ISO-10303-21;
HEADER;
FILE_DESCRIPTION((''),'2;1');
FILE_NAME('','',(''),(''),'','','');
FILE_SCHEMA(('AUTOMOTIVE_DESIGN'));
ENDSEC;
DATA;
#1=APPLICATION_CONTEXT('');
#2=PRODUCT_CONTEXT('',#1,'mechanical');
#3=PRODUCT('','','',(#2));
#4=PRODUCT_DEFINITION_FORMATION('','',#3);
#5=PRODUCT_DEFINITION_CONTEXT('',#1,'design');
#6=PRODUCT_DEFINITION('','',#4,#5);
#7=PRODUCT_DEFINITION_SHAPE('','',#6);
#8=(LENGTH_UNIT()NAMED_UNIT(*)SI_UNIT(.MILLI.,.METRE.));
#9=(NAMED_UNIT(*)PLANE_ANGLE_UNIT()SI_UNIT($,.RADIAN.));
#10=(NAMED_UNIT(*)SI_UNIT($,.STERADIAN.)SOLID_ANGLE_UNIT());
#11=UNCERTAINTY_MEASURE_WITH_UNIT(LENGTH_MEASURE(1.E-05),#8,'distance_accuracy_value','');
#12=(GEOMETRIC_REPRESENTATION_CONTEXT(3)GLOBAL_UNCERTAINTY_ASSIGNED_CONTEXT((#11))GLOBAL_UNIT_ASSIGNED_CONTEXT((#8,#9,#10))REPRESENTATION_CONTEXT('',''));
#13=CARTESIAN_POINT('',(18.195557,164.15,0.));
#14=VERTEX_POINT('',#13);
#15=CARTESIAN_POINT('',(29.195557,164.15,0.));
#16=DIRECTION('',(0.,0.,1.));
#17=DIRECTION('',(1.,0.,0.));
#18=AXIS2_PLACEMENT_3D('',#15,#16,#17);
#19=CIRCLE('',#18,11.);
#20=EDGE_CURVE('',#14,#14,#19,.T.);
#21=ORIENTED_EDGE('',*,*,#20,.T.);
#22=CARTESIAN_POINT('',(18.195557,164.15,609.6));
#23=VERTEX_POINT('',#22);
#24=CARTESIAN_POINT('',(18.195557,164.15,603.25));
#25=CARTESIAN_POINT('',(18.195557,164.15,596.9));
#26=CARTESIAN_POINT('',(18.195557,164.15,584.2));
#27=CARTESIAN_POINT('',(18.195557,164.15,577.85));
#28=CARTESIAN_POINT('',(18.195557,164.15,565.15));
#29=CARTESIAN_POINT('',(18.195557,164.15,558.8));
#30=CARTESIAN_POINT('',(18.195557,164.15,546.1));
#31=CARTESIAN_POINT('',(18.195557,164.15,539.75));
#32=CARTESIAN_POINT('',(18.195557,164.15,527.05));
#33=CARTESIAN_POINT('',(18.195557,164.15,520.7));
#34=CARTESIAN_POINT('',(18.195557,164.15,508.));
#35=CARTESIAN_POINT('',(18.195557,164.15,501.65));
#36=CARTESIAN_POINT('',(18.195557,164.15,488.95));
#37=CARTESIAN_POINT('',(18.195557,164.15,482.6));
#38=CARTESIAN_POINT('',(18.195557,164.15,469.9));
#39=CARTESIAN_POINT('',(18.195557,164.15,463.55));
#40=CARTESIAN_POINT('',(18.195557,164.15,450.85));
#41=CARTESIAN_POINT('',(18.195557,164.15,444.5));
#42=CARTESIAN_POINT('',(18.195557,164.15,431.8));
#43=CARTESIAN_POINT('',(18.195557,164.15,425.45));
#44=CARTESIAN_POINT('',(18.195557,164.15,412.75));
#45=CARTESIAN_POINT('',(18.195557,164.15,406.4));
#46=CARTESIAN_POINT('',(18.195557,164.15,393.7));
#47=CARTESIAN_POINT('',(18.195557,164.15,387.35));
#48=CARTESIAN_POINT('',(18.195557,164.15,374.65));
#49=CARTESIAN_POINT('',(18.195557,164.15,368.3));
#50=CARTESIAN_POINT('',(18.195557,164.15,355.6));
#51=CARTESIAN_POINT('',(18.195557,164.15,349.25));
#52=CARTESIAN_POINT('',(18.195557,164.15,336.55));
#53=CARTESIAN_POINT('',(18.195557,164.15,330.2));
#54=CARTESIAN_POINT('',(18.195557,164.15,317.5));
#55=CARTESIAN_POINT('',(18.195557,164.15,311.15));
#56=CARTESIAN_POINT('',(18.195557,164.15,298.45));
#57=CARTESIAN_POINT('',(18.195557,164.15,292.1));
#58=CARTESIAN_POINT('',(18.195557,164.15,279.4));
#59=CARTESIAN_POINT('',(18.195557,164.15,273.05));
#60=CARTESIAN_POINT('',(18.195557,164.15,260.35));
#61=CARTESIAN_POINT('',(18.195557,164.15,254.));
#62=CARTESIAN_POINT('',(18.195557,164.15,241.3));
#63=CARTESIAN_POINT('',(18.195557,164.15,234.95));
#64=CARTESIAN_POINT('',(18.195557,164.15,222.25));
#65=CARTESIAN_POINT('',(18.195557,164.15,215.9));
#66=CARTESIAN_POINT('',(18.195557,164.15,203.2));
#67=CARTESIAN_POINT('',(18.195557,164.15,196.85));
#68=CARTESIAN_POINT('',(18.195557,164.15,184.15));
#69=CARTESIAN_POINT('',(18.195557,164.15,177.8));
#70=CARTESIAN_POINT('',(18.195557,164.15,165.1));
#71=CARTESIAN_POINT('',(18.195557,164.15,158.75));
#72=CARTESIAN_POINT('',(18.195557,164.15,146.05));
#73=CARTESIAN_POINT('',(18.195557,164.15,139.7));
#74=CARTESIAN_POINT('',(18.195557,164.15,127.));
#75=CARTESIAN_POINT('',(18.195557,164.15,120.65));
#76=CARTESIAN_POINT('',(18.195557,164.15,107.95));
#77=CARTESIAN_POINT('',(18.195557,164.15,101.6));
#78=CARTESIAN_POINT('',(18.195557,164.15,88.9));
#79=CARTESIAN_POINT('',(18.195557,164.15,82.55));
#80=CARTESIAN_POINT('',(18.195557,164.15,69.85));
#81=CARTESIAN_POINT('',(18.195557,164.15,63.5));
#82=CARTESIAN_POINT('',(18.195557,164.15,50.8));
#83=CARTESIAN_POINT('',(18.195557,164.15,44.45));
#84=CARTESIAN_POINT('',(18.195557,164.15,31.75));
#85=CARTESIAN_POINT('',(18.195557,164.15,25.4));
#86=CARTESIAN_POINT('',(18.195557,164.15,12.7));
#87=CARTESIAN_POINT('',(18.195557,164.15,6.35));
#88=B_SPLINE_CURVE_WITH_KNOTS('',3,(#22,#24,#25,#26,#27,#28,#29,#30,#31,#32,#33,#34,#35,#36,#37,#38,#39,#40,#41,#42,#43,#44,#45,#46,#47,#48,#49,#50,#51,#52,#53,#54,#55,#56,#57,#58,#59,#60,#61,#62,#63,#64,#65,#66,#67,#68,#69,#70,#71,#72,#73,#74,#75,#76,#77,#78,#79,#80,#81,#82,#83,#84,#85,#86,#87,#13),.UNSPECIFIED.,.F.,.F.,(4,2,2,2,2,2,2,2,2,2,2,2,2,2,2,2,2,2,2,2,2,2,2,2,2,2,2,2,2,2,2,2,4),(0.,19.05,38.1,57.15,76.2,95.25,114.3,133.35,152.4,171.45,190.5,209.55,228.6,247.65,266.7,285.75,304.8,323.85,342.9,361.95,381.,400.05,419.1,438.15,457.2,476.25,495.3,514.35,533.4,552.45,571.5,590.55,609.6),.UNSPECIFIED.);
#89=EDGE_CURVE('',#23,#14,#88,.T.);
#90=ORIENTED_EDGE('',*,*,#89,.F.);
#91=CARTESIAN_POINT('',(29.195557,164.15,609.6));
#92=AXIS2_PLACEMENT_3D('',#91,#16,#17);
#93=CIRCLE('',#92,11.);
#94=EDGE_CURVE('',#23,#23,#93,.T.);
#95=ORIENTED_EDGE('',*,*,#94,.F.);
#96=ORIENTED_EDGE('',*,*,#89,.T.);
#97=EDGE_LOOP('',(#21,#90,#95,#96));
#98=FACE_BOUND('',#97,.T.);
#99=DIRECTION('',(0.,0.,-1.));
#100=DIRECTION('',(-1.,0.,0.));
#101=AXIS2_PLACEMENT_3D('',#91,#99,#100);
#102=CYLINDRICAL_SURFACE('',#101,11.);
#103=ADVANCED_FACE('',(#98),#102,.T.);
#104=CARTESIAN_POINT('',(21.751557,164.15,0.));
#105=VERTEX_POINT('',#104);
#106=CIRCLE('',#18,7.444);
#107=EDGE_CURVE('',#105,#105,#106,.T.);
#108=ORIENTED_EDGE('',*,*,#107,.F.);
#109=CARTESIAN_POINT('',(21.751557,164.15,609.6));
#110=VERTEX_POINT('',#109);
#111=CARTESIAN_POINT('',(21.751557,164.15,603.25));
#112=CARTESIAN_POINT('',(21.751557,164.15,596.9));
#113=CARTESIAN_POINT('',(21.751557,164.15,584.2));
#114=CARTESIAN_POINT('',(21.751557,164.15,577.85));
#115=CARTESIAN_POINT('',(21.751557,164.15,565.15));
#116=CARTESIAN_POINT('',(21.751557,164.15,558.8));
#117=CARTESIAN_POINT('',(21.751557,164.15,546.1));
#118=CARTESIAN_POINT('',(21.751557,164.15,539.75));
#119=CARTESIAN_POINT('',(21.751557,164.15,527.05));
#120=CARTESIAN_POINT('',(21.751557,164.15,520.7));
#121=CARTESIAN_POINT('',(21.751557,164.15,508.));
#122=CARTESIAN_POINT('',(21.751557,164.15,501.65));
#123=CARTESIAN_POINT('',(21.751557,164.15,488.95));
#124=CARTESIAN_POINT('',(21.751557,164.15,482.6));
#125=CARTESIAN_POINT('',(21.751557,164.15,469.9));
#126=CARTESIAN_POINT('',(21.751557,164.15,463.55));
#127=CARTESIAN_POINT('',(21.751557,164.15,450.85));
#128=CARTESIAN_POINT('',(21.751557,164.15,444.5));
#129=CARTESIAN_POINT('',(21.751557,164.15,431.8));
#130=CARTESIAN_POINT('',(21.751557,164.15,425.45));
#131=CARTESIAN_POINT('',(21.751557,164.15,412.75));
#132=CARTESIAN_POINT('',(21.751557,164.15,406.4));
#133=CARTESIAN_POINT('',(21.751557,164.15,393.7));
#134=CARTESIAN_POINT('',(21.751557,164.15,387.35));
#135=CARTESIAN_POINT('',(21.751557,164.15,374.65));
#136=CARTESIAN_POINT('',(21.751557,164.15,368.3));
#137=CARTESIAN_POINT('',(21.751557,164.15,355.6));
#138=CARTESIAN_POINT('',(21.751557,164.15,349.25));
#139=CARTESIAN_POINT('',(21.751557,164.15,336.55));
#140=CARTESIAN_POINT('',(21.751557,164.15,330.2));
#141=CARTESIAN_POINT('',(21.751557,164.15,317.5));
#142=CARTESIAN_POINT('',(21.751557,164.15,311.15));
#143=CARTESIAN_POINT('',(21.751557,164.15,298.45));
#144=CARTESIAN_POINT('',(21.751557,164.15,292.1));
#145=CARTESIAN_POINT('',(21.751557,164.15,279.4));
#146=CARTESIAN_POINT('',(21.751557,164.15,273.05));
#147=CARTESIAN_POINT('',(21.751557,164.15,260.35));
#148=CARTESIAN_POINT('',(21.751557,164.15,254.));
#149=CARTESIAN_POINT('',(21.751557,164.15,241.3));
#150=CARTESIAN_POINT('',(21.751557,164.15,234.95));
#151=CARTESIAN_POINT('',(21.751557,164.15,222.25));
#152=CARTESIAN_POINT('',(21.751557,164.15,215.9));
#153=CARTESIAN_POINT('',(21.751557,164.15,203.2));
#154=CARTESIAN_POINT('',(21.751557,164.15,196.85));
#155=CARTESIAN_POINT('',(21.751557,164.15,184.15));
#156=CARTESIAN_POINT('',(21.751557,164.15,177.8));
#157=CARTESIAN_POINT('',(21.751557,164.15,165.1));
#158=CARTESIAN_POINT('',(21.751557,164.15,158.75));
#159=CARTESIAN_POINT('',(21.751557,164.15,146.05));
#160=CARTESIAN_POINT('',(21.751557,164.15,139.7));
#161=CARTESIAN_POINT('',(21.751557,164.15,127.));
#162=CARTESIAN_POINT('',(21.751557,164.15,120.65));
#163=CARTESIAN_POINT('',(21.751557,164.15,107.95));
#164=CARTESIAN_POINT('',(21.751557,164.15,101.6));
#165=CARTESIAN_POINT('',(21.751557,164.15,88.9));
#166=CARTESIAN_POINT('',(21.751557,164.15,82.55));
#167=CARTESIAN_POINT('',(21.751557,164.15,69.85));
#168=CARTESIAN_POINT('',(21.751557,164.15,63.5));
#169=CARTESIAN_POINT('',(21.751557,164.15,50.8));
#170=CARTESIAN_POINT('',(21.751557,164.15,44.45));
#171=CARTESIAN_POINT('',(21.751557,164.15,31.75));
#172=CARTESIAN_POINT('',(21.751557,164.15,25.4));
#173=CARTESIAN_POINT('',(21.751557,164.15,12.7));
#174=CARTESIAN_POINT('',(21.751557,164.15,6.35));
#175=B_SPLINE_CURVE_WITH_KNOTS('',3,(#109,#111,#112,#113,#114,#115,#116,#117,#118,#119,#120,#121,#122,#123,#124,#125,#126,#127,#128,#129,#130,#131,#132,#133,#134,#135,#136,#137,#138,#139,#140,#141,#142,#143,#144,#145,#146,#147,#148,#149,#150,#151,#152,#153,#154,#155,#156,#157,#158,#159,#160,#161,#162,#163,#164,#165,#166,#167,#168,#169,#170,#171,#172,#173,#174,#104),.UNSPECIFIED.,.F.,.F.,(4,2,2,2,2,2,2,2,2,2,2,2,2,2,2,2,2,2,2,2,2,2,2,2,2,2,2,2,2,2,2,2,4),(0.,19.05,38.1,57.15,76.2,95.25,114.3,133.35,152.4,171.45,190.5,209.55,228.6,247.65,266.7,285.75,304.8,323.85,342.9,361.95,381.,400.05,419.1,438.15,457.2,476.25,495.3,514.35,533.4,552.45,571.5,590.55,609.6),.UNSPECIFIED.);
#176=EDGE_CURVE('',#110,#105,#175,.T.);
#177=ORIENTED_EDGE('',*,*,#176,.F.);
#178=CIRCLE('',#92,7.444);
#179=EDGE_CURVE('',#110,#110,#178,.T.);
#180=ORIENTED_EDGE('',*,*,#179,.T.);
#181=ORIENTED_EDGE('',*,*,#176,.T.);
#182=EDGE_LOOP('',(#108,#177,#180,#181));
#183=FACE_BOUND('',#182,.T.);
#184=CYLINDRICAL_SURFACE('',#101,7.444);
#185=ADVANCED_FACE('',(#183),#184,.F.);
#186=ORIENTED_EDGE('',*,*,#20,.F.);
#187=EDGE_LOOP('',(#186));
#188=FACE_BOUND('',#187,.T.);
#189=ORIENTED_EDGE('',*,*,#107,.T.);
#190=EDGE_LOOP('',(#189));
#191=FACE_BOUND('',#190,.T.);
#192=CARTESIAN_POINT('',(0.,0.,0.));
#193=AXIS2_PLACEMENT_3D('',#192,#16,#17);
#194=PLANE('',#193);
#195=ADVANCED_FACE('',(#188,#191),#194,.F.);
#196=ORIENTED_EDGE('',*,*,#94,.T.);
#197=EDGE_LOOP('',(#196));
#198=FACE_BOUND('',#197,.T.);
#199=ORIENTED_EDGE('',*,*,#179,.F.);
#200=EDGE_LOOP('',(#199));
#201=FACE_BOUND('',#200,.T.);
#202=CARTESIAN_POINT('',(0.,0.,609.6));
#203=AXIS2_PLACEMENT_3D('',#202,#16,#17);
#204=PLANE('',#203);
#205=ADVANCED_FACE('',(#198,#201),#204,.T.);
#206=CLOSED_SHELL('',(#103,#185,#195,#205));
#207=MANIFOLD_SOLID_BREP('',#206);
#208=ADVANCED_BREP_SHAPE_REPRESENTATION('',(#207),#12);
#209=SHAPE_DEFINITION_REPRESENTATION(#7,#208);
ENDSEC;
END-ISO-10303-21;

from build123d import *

# Parameters (mm, degrees)
SKETCH2_R           = 11
SKETCH2_R_2         = 7.444
BOSS_EXTRUDE1_DEPTH = 609.6


with BuildPart() as part:
    # Sketch2 → Boss-Extrude1 (new body)
    with BuildSketch(Plane.XY):
        with Locations(Location((29.195557492, 164.15, 0), (0, 0, 180))):
            Circle(SKETCH2_R)
        with Locations(Location((29.195557492, 164.15, 0), (0, 0, 180))):
            Circle(SKETCH2_R_2, mode=Mode.SUBTRACT)
    extrude(amount=BOSS_EXTRUDE1_DEPTH)


solid = part.part
